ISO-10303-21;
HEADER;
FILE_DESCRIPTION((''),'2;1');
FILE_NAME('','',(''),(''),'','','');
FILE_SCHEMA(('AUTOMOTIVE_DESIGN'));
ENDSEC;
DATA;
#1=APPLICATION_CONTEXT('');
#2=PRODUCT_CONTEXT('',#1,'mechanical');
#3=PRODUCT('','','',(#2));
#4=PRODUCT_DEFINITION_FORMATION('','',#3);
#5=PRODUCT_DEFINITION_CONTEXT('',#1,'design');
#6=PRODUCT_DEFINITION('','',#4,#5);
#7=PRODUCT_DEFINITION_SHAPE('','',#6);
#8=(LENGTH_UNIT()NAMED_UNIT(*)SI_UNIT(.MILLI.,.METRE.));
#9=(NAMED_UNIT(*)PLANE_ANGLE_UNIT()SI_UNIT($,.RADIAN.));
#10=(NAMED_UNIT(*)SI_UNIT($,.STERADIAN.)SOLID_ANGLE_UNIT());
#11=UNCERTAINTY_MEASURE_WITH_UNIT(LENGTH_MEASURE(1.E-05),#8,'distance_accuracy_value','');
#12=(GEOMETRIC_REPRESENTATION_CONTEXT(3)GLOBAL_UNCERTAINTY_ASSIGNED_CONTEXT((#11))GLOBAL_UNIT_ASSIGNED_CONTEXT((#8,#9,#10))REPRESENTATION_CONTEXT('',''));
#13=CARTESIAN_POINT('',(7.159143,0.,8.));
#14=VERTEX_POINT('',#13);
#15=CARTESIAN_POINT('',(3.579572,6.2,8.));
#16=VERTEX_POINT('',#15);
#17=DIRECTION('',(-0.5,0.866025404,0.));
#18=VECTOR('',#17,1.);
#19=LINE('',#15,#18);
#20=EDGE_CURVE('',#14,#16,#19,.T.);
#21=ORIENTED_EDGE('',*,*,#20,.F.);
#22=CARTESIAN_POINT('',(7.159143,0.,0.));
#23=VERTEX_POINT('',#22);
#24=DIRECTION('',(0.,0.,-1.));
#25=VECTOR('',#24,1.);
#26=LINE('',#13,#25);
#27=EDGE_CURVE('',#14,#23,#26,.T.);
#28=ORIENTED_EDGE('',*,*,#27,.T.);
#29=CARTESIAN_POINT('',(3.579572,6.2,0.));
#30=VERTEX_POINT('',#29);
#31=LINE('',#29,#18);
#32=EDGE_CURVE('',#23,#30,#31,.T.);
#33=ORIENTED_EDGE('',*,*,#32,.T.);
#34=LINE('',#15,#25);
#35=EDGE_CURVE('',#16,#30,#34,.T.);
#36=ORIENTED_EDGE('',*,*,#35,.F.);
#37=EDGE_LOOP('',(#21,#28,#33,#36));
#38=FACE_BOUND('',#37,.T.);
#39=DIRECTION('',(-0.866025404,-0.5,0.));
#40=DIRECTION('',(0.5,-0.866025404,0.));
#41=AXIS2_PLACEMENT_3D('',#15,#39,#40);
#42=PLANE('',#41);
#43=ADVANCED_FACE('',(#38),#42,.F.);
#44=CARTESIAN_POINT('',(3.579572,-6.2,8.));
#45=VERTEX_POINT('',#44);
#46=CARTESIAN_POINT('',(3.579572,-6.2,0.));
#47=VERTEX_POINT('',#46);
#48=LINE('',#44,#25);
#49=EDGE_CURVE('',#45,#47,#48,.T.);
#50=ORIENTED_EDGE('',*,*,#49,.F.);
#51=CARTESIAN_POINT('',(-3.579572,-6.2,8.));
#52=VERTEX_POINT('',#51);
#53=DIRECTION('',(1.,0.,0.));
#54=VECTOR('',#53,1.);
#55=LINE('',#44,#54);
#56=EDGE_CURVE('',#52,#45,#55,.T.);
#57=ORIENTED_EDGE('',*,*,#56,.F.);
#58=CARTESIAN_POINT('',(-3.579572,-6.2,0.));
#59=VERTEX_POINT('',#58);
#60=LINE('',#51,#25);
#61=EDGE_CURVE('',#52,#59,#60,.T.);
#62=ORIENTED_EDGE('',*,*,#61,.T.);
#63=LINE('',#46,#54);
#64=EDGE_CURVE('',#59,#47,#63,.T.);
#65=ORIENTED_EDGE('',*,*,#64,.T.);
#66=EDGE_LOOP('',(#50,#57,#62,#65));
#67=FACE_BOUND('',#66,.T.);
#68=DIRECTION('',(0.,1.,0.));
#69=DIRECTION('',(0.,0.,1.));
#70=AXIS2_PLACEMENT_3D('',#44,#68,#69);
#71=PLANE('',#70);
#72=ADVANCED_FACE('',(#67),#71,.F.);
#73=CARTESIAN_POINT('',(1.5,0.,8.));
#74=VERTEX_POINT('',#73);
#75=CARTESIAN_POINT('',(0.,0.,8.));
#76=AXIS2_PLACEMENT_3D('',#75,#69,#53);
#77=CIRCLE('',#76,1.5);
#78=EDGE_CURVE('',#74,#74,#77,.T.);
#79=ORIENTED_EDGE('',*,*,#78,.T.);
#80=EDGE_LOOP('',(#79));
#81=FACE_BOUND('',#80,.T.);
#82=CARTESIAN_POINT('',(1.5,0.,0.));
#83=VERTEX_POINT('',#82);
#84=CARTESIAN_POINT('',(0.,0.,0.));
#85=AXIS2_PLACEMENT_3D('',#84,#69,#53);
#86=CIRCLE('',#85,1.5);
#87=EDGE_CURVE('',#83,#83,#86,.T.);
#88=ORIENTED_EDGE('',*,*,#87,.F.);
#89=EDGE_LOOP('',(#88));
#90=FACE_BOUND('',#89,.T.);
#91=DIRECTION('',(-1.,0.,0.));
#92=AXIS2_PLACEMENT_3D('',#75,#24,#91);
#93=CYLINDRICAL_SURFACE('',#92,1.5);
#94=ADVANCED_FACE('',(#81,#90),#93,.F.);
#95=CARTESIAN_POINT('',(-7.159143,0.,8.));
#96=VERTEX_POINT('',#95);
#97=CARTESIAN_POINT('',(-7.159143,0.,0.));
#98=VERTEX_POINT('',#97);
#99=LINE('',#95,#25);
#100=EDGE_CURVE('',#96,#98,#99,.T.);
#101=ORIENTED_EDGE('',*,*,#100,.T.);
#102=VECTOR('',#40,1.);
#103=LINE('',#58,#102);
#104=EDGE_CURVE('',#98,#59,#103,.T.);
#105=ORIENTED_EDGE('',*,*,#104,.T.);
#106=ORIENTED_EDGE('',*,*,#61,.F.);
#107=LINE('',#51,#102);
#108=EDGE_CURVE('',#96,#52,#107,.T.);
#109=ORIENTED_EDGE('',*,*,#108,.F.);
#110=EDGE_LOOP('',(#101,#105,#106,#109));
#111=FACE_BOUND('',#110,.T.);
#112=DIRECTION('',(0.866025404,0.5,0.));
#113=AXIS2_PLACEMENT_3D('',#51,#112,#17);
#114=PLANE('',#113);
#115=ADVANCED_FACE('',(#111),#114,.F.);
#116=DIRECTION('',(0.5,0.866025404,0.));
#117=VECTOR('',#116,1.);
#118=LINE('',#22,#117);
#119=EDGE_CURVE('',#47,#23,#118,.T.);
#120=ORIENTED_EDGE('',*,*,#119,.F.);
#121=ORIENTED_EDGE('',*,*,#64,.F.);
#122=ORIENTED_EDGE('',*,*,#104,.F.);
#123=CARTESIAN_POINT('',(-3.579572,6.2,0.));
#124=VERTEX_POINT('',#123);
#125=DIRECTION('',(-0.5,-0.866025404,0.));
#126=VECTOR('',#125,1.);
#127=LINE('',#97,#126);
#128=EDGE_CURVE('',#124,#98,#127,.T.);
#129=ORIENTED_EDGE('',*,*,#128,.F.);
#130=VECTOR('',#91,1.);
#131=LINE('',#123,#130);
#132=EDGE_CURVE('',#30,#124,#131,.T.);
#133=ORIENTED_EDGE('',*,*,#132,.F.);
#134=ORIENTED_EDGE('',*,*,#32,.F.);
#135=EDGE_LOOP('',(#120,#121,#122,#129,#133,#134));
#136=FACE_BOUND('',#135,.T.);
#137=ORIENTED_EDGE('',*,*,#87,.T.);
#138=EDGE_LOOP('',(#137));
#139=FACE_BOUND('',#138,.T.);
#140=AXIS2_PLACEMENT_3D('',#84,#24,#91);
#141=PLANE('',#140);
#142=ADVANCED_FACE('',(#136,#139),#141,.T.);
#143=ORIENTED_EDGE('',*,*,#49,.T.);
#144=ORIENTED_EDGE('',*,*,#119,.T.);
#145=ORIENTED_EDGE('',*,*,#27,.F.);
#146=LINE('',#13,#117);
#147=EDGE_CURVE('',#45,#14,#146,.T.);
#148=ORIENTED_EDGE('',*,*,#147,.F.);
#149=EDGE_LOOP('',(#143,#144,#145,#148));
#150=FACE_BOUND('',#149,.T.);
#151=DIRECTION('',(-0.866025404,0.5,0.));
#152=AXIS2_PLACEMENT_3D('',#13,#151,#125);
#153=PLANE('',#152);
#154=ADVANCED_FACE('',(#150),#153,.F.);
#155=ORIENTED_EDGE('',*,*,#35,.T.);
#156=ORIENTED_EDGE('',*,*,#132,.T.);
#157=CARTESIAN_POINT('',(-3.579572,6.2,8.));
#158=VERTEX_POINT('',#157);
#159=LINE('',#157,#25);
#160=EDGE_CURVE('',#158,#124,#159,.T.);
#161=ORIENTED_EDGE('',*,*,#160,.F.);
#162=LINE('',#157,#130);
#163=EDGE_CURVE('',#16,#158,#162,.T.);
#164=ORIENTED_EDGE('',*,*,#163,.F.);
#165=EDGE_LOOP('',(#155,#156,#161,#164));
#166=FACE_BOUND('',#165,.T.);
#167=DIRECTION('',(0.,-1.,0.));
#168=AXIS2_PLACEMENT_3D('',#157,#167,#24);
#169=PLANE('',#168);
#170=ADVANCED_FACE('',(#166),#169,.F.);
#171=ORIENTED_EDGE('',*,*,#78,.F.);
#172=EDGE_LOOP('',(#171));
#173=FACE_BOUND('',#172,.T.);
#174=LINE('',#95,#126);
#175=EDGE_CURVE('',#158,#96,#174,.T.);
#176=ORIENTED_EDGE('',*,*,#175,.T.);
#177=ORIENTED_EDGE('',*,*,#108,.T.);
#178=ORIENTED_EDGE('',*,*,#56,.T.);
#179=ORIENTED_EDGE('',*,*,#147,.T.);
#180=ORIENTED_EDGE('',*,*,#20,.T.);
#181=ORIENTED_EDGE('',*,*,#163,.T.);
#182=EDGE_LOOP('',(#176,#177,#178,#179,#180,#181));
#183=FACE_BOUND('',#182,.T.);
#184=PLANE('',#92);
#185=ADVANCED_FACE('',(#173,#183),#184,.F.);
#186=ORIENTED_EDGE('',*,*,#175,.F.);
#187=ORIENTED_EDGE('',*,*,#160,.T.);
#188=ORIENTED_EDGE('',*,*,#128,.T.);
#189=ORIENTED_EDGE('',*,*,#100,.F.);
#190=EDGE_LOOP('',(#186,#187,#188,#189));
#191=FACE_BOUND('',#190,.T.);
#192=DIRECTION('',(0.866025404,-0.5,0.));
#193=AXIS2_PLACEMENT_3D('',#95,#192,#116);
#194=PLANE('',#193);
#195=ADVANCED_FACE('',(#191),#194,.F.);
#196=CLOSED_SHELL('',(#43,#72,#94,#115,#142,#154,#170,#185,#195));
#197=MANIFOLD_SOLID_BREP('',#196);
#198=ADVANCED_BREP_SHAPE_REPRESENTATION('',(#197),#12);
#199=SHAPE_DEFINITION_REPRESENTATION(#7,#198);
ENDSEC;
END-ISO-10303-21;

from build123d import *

# Parameters (mm, degrees)
SKETCH1_R  = 1.5
MAIN_DEPTH = 8


with BuildPart() as part:
    # Sketch1 → Main (new body)
    with BuildSketch(Plane.XY):
        Polygon((-3.579571669, 6.2), (3.579571669, 6.2), (7.159143338, 0), (3.579571669, -6.2), (-3.579571669, -6.2), (-7.159143338, 0), align=None)
        Circle(SKETCH1_R, mode=Mode.SUBTRACT)
    extrude(amount=MAIN_DEPTH)


solid = part.part
